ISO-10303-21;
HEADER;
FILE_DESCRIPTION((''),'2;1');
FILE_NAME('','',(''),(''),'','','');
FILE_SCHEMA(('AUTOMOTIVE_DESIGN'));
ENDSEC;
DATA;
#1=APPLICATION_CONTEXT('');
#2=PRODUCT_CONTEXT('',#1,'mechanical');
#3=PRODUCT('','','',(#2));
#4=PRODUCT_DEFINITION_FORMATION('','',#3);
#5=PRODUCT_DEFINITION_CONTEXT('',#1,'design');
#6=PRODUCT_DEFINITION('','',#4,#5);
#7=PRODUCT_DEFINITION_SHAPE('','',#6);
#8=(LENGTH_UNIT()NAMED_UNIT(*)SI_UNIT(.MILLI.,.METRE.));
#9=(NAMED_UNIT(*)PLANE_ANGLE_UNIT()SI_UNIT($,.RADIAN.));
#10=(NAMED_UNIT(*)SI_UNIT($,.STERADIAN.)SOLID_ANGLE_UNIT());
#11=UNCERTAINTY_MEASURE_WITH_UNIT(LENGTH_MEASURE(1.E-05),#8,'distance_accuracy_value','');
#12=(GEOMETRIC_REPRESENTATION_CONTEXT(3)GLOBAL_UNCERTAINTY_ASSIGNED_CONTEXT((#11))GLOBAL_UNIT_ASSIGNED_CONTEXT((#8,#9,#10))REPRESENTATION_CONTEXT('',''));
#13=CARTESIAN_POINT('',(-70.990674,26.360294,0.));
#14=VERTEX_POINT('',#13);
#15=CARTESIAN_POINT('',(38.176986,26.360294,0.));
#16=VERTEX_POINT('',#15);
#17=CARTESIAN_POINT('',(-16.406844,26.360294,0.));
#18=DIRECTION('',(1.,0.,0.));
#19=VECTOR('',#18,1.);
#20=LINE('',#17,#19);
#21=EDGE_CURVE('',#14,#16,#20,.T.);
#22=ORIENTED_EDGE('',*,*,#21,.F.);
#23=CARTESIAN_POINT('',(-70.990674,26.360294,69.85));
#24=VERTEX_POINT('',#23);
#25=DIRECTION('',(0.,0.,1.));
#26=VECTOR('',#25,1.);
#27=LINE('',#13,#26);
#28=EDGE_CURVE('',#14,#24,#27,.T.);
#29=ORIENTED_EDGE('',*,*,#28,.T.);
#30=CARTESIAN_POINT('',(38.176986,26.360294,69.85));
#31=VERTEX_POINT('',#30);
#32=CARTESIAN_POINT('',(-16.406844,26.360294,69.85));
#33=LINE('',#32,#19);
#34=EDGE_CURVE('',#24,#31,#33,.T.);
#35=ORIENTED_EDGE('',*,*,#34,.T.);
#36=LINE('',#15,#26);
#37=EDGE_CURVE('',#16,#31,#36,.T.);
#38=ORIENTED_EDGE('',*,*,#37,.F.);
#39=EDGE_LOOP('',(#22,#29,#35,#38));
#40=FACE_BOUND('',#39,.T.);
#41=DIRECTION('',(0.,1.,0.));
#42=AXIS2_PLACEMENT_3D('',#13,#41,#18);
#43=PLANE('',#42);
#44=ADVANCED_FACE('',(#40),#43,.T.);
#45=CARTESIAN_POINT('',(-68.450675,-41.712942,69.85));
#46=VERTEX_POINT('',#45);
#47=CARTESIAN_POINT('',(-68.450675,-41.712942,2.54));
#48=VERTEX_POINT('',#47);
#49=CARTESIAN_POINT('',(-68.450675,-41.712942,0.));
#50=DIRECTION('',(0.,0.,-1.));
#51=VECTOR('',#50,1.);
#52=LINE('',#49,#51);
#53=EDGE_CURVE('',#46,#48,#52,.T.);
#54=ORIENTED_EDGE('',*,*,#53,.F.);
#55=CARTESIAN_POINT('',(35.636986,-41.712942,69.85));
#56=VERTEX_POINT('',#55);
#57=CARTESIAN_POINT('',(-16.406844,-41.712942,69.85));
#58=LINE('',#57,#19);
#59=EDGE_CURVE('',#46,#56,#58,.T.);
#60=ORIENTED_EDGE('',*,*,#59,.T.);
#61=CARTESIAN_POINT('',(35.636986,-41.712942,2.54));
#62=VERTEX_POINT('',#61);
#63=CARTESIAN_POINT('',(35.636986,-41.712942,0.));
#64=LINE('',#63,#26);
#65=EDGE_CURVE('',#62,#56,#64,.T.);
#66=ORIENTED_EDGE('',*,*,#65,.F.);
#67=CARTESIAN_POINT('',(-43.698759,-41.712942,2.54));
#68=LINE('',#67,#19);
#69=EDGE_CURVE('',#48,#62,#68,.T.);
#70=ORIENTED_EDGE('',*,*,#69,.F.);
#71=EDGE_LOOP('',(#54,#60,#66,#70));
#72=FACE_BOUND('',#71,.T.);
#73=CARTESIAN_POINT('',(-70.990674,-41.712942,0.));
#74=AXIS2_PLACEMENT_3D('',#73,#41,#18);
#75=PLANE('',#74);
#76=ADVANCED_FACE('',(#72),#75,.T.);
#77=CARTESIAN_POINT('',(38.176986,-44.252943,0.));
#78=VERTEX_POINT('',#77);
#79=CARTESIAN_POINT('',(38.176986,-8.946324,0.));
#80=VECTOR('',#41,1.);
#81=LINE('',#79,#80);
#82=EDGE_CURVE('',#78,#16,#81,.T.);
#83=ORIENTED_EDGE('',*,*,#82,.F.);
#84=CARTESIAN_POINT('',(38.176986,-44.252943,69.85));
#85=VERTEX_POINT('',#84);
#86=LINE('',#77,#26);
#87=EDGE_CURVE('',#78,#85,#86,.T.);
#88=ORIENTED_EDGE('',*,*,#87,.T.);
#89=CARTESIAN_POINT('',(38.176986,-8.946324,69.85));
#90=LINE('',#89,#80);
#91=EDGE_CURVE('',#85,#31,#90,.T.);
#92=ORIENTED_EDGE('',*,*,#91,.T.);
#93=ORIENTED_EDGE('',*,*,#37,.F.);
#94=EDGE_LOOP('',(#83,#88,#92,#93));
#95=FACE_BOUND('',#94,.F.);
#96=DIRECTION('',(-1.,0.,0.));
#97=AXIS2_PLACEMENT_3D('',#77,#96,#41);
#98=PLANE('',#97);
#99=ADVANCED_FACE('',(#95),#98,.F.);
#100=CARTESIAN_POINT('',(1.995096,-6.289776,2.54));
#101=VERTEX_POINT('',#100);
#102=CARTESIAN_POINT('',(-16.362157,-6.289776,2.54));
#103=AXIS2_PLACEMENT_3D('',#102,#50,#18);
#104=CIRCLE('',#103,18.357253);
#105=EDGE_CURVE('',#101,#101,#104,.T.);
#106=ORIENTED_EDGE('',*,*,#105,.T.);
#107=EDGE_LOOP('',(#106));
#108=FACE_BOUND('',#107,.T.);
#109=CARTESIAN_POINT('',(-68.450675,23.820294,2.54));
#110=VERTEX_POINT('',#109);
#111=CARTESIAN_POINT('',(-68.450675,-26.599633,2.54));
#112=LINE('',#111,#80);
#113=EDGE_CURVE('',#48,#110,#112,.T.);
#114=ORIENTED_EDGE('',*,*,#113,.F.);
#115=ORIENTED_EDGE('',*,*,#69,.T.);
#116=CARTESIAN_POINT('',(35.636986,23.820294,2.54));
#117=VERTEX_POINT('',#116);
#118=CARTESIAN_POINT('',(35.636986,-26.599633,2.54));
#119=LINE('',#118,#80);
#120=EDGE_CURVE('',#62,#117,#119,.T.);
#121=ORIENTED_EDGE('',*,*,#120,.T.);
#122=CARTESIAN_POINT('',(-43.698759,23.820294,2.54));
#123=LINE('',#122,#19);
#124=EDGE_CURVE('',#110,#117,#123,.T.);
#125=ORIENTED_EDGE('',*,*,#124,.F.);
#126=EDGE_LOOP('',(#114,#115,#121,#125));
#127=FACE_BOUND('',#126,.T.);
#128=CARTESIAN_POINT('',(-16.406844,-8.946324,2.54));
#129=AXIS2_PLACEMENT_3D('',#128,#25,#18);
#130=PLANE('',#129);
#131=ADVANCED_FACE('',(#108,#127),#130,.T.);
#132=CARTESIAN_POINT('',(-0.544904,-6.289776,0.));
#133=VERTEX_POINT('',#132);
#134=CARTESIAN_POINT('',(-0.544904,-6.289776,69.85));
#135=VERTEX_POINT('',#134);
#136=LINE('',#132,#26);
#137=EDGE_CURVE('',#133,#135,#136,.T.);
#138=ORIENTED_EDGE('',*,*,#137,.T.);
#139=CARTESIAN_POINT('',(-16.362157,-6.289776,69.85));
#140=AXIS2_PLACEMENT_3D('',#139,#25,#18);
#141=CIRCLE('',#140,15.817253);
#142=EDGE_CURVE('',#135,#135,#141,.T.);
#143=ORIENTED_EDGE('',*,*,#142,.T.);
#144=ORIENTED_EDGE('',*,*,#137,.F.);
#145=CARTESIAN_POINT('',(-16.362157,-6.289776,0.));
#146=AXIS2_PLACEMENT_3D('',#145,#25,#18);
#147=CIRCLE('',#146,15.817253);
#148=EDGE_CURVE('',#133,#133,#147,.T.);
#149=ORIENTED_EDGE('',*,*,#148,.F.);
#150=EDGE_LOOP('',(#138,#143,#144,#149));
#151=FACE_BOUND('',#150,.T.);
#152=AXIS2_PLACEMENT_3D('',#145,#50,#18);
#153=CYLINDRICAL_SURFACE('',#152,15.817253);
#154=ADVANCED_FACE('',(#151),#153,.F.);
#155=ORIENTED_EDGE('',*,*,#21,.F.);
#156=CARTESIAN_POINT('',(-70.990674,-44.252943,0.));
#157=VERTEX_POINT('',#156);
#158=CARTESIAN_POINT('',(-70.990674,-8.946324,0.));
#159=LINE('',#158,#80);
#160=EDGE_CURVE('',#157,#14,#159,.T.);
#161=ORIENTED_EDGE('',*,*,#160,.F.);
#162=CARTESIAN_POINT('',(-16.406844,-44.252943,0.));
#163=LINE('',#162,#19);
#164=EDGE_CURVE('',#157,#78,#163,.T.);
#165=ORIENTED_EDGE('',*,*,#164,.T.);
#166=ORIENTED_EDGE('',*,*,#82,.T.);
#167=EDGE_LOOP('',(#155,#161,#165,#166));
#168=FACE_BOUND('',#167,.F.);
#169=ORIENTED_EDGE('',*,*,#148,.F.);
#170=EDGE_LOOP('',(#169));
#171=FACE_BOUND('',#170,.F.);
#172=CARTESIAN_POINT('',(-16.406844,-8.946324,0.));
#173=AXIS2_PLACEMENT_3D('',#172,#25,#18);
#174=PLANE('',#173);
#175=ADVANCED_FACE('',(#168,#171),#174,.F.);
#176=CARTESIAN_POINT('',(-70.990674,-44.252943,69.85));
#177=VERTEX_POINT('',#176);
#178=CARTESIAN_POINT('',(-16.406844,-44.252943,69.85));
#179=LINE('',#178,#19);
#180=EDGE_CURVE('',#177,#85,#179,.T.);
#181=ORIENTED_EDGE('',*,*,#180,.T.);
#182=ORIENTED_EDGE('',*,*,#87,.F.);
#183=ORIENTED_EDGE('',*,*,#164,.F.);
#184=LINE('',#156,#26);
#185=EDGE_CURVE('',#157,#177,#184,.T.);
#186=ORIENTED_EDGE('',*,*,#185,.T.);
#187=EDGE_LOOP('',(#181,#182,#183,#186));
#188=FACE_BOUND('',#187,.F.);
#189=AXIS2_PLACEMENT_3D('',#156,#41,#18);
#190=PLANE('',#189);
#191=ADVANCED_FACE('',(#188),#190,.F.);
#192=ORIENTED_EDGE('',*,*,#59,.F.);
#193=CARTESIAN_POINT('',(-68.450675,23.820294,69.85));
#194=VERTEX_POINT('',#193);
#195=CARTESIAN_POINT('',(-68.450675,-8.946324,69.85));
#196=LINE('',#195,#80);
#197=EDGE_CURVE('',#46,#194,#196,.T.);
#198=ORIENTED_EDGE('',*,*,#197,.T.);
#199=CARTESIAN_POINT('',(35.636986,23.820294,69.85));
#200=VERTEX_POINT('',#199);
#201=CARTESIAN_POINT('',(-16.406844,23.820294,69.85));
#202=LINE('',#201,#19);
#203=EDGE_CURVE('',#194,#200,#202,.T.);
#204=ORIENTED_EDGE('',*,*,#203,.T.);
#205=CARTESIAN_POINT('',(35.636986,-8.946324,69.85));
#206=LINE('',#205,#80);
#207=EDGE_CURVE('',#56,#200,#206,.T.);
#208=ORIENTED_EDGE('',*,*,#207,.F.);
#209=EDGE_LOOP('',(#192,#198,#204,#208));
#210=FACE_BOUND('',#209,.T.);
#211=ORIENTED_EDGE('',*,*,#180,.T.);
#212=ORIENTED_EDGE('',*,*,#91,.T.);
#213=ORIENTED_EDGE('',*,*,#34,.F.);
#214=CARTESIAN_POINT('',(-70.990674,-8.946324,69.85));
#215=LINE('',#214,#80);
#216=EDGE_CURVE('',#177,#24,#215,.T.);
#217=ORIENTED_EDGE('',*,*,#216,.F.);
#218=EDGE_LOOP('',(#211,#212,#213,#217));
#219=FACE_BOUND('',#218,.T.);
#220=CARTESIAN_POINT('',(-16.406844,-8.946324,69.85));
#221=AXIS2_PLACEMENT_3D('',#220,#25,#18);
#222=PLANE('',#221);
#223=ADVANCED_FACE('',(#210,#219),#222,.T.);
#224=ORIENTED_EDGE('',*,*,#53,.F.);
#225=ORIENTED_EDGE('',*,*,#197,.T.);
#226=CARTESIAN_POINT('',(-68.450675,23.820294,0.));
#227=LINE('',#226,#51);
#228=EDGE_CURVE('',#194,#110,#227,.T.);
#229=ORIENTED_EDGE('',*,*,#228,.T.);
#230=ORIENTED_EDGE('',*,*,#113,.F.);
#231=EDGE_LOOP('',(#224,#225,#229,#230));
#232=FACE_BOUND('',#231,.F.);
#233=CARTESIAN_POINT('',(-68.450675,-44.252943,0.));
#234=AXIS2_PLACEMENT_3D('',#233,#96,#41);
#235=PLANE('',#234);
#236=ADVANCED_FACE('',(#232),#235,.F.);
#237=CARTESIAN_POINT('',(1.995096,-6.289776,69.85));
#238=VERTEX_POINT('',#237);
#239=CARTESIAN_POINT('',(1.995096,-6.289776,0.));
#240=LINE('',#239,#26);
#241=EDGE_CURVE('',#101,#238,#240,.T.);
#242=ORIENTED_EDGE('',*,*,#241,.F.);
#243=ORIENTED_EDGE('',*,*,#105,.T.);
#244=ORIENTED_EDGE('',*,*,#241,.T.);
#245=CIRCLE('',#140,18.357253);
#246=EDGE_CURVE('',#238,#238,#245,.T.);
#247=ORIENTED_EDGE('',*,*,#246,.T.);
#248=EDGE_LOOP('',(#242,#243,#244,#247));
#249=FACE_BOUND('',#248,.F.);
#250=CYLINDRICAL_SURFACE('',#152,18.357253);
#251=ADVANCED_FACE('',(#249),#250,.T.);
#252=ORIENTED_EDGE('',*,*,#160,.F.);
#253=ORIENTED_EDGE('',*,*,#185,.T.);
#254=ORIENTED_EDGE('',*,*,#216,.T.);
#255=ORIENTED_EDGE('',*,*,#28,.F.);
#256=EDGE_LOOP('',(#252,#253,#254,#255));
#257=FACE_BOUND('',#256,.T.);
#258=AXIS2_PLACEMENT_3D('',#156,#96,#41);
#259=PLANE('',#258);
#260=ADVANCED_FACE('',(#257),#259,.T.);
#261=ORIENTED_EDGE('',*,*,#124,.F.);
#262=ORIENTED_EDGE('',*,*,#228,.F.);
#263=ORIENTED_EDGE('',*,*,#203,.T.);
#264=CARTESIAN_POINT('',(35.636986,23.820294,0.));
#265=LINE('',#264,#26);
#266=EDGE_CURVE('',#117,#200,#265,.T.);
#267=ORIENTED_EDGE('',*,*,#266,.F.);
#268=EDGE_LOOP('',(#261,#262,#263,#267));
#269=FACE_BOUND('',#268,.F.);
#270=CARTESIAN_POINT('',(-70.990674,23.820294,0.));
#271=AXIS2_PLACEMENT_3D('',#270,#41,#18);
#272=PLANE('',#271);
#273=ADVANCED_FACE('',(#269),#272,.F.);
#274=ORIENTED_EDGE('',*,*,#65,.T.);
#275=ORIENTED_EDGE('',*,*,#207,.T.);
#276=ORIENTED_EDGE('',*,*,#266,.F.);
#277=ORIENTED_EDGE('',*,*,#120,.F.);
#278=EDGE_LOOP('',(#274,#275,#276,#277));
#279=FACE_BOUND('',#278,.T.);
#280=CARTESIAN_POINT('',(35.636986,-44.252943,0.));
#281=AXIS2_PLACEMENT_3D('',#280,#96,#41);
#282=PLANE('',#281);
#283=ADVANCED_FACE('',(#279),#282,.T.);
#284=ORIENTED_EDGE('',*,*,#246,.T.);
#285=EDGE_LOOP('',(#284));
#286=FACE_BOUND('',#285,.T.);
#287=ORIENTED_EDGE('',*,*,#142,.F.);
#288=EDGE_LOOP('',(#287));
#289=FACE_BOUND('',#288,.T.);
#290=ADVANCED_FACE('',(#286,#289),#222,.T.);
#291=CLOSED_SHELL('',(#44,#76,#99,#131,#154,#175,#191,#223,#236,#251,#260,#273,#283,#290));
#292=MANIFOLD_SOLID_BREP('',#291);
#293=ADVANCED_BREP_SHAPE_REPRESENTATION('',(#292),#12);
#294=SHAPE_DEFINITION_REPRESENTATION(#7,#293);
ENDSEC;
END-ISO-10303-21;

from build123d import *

# Parameters (mm, degrees)
F0_W     = 109.167661
F0_H     = 70.613237
F0_R     = 15.817253
F1_DEPTH = 69.85
F2_T     = -2.54


with BuildPart() as f1:
    # F0 (on Top) → F1 (new body)
    with BuildSketch(Plane.XY):
        with Locations((-16.406844, -8.946324)):
            Rectangle(F0_W, F0_H)
        with Locations((-16.362157, -6.289776)):
            Circle(F0_R, mode=Mode.SUBTRACT)
    extrude(amount=F1_DEPTH)

    # F2
    f2_openings = [f1.faces().sort_by_distance(p)[0] for p in [
        (-16.406843, 25.060147, 69.85),
    ]]
    offset(amount=F2_T, openings=f2_openings)


solid = f1.part
